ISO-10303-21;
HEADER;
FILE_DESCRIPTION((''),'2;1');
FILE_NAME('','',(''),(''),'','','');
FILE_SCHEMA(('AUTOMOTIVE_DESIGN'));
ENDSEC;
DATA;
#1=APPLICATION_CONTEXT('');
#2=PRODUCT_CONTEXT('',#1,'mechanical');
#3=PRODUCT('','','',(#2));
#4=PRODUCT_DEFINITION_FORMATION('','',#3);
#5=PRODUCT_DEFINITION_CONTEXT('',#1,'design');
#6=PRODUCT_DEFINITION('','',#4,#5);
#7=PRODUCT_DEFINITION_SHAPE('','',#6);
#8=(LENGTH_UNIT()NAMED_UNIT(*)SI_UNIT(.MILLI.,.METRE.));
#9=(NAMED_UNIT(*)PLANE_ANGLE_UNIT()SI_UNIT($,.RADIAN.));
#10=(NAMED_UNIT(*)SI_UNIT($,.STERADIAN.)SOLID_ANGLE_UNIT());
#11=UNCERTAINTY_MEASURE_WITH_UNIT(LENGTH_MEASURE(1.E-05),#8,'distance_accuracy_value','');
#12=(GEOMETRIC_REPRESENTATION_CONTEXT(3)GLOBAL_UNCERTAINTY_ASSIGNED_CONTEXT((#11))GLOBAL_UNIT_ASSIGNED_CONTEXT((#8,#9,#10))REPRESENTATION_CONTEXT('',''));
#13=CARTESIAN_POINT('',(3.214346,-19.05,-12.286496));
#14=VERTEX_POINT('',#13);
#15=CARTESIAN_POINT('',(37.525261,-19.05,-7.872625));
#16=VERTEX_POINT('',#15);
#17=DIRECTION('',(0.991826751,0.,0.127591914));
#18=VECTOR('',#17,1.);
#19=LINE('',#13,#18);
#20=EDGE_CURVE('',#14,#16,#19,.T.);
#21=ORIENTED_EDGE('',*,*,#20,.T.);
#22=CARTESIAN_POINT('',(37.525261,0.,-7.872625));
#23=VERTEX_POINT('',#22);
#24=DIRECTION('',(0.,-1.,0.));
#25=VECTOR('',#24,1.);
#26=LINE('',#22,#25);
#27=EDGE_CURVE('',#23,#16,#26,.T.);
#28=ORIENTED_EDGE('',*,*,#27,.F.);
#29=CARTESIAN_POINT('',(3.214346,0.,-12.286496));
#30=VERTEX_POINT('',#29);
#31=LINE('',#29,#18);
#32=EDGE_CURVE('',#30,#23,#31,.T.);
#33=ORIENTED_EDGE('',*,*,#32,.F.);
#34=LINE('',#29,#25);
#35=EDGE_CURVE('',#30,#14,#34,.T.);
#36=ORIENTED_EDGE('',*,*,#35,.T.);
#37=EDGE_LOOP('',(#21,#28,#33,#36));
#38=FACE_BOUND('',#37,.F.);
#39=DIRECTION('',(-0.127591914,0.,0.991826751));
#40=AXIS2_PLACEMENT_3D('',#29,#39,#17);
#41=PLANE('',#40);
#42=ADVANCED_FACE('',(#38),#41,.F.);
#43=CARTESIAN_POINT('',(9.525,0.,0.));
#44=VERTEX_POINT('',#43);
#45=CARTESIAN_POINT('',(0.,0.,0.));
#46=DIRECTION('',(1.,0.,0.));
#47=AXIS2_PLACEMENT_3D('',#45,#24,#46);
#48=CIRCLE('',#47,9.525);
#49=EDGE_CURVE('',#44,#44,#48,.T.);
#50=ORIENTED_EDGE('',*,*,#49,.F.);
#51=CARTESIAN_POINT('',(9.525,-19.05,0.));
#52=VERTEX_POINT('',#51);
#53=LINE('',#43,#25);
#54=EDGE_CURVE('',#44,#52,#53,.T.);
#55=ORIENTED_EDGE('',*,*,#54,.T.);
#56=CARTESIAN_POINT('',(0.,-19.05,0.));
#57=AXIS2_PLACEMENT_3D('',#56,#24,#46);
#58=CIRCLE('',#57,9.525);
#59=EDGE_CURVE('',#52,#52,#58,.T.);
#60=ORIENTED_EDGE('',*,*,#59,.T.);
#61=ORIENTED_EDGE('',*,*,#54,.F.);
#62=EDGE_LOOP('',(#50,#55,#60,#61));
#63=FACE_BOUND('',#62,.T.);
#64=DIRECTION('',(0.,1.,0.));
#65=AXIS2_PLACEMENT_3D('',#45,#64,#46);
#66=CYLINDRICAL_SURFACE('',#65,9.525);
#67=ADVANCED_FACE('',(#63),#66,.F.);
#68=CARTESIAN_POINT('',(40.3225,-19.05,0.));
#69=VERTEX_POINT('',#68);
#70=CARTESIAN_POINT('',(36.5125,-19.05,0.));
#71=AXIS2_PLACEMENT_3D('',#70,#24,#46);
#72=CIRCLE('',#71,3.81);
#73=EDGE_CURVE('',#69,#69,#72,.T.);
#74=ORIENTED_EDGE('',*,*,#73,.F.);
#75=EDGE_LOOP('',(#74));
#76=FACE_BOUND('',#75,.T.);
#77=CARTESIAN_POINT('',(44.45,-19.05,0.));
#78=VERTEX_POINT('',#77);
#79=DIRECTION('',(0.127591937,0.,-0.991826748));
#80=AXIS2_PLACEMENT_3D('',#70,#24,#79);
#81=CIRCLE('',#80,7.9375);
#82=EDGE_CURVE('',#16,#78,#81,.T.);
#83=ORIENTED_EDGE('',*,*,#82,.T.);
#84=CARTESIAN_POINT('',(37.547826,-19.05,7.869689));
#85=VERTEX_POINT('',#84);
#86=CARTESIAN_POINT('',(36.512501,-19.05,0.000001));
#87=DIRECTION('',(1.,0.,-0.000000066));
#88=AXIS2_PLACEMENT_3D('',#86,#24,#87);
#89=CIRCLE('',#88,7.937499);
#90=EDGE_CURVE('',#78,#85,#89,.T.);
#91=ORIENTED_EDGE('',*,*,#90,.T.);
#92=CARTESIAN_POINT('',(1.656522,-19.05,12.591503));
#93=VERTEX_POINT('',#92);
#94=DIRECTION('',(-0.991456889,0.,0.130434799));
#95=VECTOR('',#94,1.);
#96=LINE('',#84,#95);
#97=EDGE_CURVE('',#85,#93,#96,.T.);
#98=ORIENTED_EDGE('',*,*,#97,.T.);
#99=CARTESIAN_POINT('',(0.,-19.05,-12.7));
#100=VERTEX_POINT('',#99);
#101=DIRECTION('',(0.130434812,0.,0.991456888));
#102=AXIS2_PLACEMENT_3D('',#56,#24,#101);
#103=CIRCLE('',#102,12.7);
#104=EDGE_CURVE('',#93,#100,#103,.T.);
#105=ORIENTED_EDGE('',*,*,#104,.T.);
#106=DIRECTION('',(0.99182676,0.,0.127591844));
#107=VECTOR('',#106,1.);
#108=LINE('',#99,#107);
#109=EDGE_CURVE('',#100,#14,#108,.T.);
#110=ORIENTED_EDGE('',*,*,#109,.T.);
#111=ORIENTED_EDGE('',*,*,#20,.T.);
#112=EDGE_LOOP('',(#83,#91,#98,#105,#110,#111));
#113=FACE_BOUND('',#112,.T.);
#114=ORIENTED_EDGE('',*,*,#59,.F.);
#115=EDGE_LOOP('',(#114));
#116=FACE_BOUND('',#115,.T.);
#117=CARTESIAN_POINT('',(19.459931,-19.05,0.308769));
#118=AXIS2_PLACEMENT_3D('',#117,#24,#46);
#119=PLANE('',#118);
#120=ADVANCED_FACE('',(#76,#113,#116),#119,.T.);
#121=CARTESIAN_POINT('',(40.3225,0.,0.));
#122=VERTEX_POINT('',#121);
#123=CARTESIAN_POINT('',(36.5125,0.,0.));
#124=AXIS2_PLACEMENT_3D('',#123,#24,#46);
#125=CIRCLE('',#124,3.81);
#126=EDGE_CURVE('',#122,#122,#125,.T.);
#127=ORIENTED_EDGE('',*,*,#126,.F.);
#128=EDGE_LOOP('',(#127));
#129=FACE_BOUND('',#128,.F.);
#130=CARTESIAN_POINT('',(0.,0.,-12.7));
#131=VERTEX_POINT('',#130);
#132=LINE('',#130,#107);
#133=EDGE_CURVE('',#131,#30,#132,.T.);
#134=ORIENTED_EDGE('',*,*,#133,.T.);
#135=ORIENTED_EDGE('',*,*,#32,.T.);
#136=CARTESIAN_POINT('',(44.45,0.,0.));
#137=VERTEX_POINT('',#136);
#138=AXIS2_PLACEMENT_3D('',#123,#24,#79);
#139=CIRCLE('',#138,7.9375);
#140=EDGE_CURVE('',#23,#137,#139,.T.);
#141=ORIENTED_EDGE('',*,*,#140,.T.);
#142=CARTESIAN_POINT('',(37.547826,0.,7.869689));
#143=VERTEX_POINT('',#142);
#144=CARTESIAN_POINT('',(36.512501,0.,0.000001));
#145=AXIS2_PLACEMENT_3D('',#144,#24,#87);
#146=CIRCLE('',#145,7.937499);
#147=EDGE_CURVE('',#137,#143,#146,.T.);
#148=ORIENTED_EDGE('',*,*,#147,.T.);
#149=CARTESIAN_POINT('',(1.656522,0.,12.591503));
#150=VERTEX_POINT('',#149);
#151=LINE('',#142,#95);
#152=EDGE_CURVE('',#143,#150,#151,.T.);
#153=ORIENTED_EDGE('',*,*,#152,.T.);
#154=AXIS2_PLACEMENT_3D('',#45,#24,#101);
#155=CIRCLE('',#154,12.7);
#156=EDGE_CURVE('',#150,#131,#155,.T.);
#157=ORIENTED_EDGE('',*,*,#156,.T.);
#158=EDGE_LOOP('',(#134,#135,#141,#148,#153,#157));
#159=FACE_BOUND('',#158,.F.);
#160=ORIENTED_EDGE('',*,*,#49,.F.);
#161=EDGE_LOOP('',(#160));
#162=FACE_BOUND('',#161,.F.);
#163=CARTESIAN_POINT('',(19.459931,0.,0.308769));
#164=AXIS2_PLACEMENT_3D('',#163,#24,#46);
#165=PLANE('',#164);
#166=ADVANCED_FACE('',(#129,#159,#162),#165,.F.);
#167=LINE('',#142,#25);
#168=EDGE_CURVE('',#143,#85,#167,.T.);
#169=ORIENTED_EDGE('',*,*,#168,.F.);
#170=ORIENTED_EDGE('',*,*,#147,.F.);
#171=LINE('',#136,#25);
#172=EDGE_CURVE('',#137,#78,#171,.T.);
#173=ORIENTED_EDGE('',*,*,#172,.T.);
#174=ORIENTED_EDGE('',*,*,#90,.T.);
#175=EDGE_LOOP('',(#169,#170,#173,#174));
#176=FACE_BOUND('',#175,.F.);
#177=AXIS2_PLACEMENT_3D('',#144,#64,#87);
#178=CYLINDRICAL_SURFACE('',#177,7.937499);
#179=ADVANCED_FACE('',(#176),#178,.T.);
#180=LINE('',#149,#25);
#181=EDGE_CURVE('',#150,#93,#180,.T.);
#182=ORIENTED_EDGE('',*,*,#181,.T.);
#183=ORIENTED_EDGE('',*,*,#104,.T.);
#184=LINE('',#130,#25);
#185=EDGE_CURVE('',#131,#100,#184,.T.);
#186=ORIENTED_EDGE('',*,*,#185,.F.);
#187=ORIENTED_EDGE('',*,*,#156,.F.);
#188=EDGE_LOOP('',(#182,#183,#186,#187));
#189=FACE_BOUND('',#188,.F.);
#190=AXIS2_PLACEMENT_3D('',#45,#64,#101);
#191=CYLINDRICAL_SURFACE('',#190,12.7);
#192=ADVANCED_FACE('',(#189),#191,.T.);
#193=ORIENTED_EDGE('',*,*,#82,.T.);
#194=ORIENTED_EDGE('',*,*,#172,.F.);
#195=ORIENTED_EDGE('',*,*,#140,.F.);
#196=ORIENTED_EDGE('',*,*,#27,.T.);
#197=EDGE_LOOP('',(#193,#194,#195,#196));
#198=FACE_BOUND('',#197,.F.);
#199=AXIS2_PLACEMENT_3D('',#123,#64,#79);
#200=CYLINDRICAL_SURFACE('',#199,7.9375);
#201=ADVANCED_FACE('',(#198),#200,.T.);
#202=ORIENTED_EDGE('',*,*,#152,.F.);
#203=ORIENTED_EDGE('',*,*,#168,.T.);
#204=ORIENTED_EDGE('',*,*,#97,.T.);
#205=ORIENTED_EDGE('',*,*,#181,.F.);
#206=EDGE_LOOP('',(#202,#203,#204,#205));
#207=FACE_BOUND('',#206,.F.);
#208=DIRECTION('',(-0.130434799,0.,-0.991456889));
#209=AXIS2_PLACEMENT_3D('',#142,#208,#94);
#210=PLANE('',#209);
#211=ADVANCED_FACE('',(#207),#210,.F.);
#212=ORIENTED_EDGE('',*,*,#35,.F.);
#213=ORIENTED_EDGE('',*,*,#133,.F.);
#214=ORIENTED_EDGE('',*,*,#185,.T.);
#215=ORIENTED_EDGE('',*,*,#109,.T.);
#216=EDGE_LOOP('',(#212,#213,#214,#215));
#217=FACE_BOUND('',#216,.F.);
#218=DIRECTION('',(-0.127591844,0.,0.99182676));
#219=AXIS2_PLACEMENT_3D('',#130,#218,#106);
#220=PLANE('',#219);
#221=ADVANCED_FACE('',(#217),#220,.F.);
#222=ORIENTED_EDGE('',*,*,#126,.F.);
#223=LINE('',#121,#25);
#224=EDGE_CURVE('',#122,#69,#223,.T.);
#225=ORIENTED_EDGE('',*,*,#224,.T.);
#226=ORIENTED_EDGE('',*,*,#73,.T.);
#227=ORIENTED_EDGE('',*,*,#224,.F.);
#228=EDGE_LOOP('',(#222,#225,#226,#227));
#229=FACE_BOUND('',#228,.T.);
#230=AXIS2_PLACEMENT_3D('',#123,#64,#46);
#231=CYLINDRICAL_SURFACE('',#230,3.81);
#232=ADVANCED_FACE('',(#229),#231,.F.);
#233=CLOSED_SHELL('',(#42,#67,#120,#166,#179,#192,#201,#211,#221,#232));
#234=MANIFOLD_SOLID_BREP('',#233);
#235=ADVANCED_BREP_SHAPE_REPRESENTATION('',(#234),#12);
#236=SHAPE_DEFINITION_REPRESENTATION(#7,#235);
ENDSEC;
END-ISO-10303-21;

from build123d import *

# Parameters (mm, degrees)
F0_R     = 3.81
F0_R_2   = 9.525
F1_DEPTH = 19.05


with BuildPart() as f1:
    # F0 (on Front) → F1 (new body)
    with BuildSketch(Plane.XZ):
        with BuildLine():
            ThreePointArc((1.656522, 12.591503), (9.54798, 8.374132), (12.7, 0))
            ThreePointArc((12.7, 0), (10.052666, -7.76105), (3.214346, -12.286496))
            Line((3.214346, -12.286496), (37.525261, -7.872625))
            ThreePointArc((37.525261, -7.872625), (28.575008, 0.011378), (37.547826, 7.869689))
            Line((37.547826, 7.869689), (1.656522, 12.591503))
        make_face()
        with BuildLine():
            ThreePointArc((44.45, 0), (42.479987, 5.233833), (37.547826, 7.869689))
            ThreePointArc((37.547826, 7.869689), (28.575008, 0.011378), (37.525261, -7.872625))
            ThreePointArc((37.525261, -7.872625), (42.472479, -5.242381), (44.45, 0))
        make_face()
        with Locations((36.5125, 0)):
            Circle(F0_R, mode=Mode.SUBTRACT)
        with BuildLine():
            ThreePointArc((3.214346, -12.286496), (10.052666, -7.76105), (12.7, 0))
            ThreePointArc((12.7, 0), (9.54798, 8.374132), (1.656522, 12.591503))
            ThreePointArc((1.656522, 12.591503), (-12.672847, 0.830036), (0, -12.7))
            Line((0, -12.7), (3.214346, -12.286496))
        make_face()
        Circle(F0_R_2, mode=Mode.SUBTRACT)
    extrude(amount=F1_DEPTH)


solid = f1.part
